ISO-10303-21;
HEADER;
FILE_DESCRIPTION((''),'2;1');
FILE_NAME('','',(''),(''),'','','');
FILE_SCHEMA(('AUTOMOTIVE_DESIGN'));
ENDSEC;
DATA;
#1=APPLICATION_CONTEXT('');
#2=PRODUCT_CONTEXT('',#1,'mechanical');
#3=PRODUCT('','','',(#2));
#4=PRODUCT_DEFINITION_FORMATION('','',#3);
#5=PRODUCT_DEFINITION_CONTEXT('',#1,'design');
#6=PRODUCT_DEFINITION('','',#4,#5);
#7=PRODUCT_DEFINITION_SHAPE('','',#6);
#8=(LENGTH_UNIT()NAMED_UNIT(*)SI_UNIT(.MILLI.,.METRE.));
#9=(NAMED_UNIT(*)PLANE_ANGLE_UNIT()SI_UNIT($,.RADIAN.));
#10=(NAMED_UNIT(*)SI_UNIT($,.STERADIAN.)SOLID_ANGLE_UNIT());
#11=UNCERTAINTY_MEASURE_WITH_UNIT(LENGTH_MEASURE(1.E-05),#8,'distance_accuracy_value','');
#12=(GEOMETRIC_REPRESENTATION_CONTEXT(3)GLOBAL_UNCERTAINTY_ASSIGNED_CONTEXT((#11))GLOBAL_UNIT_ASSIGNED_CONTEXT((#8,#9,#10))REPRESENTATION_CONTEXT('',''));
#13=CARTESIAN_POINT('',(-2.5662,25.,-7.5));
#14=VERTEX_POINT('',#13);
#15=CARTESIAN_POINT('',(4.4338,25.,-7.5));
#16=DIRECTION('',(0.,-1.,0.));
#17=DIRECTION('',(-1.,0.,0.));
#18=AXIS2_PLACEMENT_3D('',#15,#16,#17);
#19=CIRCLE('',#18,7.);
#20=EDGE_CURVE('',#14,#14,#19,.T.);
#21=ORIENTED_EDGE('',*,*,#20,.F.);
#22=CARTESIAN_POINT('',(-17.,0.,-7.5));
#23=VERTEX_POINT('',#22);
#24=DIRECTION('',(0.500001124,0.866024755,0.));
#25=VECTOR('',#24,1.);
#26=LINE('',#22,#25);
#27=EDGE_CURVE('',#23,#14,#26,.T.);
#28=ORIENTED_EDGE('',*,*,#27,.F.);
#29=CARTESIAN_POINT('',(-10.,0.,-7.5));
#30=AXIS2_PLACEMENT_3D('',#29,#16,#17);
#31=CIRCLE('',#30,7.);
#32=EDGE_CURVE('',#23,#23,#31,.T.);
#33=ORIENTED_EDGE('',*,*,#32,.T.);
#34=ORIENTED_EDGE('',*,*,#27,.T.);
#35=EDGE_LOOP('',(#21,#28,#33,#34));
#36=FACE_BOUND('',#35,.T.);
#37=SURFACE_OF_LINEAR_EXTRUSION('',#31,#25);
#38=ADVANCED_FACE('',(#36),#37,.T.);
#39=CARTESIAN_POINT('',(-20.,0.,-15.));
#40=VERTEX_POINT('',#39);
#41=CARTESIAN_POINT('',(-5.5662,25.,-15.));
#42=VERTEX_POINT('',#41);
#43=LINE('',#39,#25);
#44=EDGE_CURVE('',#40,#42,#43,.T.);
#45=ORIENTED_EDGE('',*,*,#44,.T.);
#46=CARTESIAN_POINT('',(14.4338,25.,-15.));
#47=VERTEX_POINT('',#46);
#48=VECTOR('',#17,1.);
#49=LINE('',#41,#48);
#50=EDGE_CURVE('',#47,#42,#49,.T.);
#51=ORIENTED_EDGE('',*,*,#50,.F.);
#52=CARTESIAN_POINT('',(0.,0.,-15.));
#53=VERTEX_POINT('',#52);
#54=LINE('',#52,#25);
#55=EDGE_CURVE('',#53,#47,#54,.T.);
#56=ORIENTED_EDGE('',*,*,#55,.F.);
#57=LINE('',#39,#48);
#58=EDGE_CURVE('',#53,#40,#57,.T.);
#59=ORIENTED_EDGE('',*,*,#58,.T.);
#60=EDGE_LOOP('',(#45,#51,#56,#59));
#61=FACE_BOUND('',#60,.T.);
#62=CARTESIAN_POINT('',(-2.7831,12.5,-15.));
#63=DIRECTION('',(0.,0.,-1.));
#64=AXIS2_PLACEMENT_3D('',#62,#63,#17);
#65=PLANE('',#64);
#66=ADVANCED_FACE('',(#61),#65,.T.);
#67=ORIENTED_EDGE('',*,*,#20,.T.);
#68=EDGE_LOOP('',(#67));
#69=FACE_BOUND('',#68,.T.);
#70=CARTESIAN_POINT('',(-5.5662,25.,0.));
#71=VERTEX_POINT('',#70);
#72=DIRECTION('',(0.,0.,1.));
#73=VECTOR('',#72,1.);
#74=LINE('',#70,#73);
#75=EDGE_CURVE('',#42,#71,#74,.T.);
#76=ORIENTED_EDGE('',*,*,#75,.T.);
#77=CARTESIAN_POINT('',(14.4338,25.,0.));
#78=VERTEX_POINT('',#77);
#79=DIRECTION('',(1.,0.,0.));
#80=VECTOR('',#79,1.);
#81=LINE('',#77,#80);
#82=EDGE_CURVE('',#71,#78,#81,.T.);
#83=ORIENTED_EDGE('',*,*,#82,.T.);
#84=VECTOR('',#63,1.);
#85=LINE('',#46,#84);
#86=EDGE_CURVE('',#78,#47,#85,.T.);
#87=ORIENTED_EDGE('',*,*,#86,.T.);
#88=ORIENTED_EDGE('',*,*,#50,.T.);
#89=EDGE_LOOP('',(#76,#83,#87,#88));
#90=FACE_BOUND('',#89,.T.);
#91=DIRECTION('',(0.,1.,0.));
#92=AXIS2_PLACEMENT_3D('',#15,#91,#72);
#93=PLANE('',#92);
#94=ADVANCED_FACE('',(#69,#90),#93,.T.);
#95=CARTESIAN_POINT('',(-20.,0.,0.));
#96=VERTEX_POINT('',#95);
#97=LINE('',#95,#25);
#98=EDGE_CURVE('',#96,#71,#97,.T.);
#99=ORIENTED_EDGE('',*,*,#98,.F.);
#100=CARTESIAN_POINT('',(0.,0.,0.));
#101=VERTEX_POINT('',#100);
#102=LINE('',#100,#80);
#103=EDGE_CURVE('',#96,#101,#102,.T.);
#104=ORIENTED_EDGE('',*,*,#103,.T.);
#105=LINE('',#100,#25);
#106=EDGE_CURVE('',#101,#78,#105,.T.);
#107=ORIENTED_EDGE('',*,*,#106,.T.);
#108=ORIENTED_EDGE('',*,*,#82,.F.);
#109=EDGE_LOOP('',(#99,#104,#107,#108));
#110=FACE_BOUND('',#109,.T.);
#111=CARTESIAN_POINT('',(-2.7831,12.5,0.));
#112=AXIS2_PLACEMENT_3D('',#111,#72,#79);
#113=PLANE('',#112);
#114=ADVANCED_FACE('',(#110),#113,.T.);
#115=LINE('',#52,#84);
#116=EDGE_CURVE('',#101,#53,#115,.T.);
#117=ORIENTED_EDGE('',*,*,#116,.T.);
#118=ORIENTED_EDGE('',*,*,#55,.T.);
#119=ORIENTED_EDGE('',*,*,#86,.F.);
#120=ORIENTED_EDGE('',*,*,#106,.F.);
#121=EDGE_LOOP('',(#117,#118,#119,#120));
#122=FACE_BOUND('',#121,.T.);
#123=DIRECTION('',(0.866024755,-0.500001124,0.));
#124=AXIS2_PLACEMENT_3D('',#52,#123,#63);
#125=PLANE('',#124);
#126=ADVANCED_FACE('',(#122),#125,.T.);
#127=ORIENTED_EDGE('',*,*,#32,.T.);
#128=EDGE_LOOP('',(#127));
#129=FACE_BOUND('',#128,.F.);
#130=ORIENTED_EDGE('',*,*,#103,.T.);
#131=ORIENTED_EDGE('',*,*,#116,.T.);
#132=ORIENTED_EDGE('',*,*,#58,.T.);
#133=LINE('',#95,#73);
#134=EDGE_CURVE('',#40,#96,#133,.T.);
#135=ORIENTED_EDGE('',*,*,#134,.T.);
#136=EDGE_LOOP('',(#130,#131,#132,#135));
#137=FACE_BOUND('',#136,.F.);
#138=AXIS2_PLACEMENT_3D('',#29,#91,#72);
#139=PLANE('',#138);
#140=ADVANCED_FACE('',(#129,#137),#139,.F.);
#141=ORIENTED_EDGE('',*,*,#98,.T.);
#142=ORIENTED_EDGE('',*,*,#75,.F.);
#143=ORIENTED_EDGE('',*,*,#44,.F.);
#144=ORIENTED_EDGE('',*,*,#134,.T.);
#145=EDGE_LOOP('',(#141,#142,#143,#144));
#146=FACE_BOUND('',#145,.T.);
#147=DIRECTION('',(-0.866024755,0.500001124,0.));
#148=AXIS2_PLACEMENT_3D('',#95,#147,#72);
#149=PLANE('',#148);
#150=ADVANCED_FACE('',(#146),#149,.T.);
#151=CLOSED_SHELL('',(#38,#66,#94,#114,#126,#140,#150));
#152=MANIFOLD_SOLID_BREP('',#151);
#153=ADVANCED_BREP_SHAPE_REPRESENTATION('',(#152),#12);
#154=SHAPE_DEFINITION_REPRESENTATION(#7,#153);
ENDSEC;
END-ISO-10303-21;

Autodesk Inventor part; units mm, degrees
ref_plane "YZ Plane" through (0, 0, 0) normal (1, 0, 0) x (0, 1, 0)
ref_plane "XZ Plane" through (0, 0, 0) normal (0, 1, 0) x (-1, 0, 0)
ref_plane "XY Plane" through (0, 0, 0) normal (0, 0, 1) x (1, 0, 0)
sketch "Sketch1" plane through (0, 0, 0) normal (0, 1, 0) x (-1, 0, 0)
  line L0 (0, 0) -> (20, 0)
  line L1 (20, 0) -> (20, -15)
  line L2 (20, -15) -> (0, -15)
  line L3 (0, -15) -> (0, 0)
  circle A0 centre (10, -7.5) radius 7
  dimension "soporte_largo" = 20
  dimension "soporte_ancho" = 15
  dimension "soporte_hueco_diametro" = 14
  dimension "soporte_hueco_pos_ancho" = 7.5
  dimension "soporte_hueco_pos_largo" = 10
sketch "Sketch2" plane through (0, 0, 0) normal (0, 0, 1) x (1, 0, 0)
  line L0 (0, 0) -> (14.4338, 25)
  line L1 (0, 0) -> (28.8675, 0) construction
  dimension "soporte_inclinacion" = 60
  dimension "soporte_alterura" = 25
sweep "Sweep1" add profiles "Sketch1" path "Sketch2"
equation "\"soporte_hueco_pos_ancho\" = 0.5 * soporte_ancho"
equation "\"soporte_hueco_pos_largo\" = 0.5 * soporte_largo"
equation "\"tol1\" = 0.1"
equation "\"tol2\" = 0.2"
equation "\"tol3\" = 0.3"
equation "\"tol4\" = 0.4"
equation "\"tol5\" = 0.5"
equation "\"tol6\" = 0.6"
equation "\"tol7\" = 0.7"
equation "\"tol8\" = 0.8"
equation "\"tol9\" = 0.9"
equation "\"tol\" = 7"
properties part number "TestSoporte"
